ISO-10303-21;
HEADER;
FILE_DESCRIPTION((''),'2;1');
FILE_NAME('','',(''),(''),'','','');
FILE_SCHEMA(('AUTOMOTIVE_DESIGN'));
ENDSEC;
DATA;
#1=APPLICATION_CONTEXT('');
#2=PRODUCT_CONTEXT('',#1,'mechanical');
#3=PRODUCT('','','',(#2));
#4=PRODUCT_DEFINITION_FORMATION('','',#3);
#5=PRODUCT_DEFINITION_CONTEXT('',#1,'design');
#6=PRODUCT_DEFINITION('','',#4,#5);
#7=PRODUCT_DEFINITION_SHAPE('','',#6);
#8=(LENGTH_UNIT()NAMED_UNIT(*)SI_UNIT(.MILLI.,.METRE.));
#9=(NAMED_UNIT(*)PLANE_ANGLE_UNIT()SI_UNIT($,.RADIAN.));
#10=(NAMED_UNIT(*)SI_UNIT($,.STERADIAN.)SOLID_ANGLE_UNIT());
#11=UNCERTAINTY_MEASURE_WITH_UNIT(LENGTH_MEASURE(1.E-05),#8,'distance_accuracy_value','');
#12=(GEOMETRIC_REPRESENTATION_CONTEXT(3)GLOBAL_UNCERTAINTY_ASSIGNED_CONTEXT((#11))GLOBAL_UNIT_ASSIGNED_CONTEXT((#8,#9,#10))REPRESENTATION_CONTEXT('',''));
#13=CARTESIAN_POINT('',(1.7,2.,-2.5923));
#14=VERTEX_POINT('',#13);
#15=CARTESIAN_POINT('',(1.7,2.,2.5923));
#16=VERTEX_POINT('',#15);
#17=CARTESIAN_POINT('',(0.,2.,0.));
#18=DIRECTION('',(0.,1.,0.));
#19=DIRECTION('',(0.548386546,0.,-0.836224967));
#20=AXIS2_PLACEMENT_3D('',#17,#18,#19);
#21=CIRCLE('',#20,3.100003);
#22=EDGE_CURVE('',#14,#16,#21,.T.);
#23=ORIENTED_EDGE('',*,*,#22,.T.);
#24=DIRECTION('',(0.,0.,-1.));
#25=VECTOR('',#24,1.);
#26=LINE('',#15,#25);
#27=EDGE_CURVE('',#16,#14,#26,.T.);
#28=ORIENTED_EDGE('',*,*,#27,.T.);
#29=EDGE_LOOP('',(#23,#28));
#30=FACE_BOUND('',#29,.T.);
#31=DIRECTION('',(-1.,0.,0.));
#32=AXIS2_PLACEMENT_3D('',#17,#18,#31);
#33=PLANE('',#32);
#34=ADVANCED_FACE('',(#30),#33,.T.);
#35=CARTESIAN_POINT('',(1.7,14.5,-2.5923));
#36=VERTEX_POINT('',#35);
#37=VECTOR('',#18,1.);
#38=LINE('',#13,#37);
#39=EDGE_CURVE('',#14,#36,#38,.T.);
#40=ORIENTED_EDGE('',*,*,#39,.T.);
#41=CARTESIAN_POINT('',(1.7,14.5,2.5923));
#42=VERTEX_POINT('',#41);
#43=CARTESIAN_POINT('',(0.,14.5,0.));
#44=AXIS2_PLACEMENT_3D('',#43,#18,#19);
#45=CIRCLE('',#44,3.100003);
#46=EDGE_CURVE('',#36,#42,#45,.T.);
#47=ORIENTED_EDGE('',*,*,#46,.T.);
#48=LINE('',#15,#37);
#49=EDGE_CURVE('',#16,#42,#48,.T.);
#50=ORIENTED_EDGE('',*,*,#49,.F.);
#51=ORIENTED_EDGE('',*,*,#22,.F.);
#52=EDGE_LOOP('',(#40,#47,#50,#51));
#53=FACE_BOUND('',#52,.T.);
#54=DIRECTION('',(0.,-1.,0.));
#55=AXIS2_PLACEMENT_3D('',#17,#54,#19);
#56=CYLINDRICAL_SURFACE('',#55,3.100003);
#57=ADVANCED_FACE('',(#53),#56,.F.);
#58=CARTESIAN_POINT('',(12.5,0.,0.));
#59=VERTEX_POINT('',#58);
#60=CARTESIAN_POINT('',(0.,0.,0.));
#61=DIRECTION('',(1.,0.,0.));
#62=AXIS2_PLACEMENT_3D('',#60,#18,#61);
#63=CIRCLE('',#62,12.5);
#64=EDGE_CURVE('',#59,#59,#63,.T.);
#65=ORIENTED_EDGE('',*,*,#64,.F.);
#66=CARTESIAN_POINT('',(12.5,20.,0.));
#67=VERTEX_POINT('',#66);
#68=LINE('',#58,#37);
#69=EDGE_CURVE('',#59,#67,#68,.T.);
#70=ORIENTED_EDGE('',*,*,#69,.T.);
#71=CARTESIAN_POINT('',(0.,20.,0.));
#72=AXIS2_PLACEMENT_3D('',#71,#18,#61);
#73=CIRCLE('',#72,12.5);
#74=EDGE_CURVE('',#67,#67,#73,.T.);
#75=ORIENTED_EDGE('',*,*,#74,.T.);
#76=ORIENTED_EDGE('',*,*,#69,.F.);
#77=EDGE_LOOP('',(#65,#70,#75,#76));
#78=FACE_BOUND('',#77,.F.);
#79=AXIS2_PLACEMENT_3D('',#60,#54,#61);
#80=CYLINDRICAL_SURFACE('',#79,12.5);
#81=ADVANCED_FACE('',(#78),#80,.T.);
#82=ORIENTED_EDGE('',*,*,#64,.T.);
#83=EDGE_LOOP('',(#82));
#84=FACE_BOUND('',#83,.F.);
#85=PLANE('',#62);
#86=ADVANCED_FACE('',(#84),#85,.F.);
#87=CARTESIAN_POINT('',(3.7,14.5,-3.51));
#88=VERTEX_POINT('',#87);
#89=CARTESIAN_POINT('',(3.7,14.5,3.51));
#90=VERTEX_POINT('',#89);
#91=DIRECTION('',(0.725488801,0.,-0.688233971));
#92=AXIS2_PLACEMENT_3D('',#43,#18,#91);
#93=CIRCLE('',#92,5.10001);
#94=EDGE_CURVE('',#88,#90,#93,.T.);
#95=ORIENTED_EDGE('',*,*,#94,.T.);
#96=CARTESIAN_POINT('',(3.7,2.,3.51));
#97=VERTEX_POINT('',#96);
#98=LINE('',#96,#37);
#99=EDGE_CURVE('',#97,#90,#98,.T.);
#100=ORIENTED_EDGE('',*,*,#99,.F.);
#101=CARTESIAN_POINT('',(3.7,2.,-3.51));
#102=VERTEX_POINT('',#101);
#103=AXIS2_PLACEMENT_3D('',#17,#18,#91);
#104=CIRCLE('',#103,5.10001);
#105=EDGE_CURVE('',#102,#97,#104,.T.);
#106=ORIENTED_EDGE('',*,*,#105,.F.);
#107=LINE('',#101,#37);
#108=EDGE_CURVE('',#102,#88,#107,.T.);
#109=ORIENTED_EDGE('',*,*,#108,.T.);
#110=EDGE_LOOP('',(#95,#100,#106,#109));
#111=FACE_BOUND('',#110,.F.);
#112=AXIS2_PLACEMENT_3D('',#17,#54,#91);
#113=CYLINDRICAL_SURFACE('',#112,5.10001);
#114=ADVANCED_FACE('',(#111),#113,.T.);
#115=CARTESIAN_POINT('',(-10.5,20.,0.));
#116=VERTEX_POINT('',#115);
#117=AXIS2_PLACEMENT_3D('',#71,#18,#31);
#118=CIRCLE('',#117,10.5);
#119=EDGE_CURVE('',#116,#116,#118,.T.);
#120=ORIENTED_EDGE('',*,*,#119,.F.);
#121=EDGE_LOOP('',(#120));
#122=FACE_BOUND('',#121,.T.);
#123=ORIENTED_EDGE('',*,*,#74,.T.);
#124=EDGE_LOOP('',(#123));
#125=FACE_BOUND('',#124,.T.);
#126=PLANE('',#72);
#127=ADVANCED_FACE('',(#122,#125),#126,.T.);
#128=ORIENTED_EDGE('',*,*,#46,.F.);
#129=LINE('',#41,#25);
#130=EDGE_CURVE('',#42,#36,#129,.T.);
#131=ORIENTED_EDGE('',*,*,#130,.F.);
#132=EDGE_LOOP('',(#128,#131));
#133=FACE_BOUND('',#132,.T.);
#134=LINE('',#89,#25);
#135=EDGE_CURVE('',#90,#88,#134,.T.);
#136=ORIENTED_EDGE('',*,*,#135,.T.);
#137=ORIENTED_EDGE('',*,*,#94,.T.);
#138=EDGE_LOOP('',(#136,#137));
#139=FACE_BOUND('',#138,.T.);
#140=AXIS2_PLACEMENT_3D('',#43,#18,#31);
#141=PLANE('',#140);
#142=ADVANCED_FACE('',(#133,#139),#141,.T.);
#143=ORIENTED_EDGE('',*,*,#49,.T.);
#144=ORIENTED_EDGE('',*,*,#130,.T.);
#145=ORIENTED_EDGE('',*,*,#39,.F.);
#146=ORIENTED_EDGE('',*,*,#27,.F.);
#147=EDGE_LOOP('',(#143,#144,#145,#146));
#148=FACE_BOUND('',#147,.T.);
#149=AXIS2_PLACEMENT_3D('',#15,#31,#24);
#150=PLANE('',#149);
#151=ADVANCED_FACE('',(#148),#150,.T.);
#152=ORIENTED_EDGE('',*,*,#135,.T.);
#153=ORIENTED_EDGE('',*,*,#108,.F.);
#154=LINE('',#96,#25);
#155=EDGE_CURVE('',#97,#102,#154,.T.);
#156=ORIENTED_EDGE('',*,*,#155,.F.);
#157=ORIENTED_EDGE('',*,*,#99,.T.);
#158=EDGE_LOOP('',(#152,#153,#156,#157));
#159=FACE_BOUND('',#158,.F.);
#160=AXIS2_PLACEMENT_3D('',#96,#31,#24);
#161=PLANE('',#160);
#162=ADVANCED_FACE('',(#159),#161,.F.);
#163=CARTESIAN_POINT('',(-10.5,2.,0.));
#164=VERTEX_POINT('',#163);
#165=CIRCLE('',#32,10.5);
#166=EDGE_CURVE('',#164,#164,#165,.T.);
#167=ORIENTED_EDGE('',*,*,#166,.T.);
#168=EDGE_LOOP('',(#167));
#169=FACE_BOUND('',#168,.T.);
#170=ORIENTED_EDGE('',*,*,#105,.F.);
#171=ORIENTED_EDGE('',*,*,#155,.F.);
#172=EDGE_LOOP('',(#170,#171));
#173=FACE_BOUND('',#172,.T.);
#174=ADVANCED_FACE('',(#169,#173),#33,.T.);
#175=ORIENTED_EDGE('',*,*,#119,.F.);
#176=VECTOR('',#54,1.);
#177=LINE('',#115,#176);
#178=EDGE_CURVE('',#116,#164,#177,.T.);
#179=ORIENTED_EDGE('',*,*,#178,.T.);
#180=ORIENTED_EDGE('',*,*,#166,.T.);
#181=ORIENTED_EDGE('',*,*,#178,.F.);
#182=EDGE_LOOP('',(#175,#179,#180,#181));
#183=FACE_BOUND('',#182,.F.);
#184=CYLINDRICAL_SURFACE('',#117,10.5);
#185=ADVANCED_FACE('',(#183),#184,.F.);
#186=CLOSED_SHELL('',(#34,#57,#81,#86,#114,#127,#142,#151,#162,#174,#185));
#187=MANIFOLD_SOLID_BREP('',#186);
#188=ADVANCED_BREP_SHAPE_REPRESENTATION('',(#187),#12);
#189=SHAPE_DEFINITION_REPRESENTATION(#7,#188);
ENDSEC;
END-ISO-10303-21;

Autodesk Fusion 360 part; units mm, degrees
sketch "Outer" plane through (0, 0, 0) normal (0, 1, 0) x (1, 0, 0)
  circle A0 centre (0, 0) radius 12.5
  dimension "d1" = 25
extrude "Outer Extrusion" add sketch "Outer" along normal blind 20
sketch "Inner" plane through (0, 20, 0) normal (0, 1, 0) x (-1, 0, 0)
  circle A0 centre (0, 0) radius 12.5
  circle A1 centre (0, 0) radius 10.5
  dimension "d4" = 21
extrude "Inner Extrusion" cut sketch "Inner" against normal blind 18 contours A1
sketch "Shaft" plane through (0, 2, 0) normal (0, 1, 0) x (-1, 0, 0)
  circle A0 centre (0, 0) radius 10.5
  line L0 (-1.7, 2.5923) -> (-1.7, -2.5923)
  arc A1 (-1.7, -2.5923) -> (-1.7, 2.5923) centre (0, 0) ccw
  arc A2 (-3.7, -3.51) -> (-3.7, 3.51) centre (0, 0) ccw
  line L1 (-3.7, 3.51) -> (-3.7, -3.51)
  dimension "d7" = 6.2
  dimension "d8" = 1.7
  dimension "d9" = 2
extrude "Shaft Extrusion" add sketch "Shaft" along normal blind 12.5 contours A2 L1
equation "d4 = 25 mm - 2 mm - 2 mm"
equation "d5 = -( 20 mm - 2 mm )"
equation "d7 = 5.8 mm + 0.2 mm + 0.2 mm"
equation "d8 = ( 4.5 mm - 3 mm ) + 0.2 mm"
equation "d10 = 20 mm - 2 mm - 5.5 mm"
